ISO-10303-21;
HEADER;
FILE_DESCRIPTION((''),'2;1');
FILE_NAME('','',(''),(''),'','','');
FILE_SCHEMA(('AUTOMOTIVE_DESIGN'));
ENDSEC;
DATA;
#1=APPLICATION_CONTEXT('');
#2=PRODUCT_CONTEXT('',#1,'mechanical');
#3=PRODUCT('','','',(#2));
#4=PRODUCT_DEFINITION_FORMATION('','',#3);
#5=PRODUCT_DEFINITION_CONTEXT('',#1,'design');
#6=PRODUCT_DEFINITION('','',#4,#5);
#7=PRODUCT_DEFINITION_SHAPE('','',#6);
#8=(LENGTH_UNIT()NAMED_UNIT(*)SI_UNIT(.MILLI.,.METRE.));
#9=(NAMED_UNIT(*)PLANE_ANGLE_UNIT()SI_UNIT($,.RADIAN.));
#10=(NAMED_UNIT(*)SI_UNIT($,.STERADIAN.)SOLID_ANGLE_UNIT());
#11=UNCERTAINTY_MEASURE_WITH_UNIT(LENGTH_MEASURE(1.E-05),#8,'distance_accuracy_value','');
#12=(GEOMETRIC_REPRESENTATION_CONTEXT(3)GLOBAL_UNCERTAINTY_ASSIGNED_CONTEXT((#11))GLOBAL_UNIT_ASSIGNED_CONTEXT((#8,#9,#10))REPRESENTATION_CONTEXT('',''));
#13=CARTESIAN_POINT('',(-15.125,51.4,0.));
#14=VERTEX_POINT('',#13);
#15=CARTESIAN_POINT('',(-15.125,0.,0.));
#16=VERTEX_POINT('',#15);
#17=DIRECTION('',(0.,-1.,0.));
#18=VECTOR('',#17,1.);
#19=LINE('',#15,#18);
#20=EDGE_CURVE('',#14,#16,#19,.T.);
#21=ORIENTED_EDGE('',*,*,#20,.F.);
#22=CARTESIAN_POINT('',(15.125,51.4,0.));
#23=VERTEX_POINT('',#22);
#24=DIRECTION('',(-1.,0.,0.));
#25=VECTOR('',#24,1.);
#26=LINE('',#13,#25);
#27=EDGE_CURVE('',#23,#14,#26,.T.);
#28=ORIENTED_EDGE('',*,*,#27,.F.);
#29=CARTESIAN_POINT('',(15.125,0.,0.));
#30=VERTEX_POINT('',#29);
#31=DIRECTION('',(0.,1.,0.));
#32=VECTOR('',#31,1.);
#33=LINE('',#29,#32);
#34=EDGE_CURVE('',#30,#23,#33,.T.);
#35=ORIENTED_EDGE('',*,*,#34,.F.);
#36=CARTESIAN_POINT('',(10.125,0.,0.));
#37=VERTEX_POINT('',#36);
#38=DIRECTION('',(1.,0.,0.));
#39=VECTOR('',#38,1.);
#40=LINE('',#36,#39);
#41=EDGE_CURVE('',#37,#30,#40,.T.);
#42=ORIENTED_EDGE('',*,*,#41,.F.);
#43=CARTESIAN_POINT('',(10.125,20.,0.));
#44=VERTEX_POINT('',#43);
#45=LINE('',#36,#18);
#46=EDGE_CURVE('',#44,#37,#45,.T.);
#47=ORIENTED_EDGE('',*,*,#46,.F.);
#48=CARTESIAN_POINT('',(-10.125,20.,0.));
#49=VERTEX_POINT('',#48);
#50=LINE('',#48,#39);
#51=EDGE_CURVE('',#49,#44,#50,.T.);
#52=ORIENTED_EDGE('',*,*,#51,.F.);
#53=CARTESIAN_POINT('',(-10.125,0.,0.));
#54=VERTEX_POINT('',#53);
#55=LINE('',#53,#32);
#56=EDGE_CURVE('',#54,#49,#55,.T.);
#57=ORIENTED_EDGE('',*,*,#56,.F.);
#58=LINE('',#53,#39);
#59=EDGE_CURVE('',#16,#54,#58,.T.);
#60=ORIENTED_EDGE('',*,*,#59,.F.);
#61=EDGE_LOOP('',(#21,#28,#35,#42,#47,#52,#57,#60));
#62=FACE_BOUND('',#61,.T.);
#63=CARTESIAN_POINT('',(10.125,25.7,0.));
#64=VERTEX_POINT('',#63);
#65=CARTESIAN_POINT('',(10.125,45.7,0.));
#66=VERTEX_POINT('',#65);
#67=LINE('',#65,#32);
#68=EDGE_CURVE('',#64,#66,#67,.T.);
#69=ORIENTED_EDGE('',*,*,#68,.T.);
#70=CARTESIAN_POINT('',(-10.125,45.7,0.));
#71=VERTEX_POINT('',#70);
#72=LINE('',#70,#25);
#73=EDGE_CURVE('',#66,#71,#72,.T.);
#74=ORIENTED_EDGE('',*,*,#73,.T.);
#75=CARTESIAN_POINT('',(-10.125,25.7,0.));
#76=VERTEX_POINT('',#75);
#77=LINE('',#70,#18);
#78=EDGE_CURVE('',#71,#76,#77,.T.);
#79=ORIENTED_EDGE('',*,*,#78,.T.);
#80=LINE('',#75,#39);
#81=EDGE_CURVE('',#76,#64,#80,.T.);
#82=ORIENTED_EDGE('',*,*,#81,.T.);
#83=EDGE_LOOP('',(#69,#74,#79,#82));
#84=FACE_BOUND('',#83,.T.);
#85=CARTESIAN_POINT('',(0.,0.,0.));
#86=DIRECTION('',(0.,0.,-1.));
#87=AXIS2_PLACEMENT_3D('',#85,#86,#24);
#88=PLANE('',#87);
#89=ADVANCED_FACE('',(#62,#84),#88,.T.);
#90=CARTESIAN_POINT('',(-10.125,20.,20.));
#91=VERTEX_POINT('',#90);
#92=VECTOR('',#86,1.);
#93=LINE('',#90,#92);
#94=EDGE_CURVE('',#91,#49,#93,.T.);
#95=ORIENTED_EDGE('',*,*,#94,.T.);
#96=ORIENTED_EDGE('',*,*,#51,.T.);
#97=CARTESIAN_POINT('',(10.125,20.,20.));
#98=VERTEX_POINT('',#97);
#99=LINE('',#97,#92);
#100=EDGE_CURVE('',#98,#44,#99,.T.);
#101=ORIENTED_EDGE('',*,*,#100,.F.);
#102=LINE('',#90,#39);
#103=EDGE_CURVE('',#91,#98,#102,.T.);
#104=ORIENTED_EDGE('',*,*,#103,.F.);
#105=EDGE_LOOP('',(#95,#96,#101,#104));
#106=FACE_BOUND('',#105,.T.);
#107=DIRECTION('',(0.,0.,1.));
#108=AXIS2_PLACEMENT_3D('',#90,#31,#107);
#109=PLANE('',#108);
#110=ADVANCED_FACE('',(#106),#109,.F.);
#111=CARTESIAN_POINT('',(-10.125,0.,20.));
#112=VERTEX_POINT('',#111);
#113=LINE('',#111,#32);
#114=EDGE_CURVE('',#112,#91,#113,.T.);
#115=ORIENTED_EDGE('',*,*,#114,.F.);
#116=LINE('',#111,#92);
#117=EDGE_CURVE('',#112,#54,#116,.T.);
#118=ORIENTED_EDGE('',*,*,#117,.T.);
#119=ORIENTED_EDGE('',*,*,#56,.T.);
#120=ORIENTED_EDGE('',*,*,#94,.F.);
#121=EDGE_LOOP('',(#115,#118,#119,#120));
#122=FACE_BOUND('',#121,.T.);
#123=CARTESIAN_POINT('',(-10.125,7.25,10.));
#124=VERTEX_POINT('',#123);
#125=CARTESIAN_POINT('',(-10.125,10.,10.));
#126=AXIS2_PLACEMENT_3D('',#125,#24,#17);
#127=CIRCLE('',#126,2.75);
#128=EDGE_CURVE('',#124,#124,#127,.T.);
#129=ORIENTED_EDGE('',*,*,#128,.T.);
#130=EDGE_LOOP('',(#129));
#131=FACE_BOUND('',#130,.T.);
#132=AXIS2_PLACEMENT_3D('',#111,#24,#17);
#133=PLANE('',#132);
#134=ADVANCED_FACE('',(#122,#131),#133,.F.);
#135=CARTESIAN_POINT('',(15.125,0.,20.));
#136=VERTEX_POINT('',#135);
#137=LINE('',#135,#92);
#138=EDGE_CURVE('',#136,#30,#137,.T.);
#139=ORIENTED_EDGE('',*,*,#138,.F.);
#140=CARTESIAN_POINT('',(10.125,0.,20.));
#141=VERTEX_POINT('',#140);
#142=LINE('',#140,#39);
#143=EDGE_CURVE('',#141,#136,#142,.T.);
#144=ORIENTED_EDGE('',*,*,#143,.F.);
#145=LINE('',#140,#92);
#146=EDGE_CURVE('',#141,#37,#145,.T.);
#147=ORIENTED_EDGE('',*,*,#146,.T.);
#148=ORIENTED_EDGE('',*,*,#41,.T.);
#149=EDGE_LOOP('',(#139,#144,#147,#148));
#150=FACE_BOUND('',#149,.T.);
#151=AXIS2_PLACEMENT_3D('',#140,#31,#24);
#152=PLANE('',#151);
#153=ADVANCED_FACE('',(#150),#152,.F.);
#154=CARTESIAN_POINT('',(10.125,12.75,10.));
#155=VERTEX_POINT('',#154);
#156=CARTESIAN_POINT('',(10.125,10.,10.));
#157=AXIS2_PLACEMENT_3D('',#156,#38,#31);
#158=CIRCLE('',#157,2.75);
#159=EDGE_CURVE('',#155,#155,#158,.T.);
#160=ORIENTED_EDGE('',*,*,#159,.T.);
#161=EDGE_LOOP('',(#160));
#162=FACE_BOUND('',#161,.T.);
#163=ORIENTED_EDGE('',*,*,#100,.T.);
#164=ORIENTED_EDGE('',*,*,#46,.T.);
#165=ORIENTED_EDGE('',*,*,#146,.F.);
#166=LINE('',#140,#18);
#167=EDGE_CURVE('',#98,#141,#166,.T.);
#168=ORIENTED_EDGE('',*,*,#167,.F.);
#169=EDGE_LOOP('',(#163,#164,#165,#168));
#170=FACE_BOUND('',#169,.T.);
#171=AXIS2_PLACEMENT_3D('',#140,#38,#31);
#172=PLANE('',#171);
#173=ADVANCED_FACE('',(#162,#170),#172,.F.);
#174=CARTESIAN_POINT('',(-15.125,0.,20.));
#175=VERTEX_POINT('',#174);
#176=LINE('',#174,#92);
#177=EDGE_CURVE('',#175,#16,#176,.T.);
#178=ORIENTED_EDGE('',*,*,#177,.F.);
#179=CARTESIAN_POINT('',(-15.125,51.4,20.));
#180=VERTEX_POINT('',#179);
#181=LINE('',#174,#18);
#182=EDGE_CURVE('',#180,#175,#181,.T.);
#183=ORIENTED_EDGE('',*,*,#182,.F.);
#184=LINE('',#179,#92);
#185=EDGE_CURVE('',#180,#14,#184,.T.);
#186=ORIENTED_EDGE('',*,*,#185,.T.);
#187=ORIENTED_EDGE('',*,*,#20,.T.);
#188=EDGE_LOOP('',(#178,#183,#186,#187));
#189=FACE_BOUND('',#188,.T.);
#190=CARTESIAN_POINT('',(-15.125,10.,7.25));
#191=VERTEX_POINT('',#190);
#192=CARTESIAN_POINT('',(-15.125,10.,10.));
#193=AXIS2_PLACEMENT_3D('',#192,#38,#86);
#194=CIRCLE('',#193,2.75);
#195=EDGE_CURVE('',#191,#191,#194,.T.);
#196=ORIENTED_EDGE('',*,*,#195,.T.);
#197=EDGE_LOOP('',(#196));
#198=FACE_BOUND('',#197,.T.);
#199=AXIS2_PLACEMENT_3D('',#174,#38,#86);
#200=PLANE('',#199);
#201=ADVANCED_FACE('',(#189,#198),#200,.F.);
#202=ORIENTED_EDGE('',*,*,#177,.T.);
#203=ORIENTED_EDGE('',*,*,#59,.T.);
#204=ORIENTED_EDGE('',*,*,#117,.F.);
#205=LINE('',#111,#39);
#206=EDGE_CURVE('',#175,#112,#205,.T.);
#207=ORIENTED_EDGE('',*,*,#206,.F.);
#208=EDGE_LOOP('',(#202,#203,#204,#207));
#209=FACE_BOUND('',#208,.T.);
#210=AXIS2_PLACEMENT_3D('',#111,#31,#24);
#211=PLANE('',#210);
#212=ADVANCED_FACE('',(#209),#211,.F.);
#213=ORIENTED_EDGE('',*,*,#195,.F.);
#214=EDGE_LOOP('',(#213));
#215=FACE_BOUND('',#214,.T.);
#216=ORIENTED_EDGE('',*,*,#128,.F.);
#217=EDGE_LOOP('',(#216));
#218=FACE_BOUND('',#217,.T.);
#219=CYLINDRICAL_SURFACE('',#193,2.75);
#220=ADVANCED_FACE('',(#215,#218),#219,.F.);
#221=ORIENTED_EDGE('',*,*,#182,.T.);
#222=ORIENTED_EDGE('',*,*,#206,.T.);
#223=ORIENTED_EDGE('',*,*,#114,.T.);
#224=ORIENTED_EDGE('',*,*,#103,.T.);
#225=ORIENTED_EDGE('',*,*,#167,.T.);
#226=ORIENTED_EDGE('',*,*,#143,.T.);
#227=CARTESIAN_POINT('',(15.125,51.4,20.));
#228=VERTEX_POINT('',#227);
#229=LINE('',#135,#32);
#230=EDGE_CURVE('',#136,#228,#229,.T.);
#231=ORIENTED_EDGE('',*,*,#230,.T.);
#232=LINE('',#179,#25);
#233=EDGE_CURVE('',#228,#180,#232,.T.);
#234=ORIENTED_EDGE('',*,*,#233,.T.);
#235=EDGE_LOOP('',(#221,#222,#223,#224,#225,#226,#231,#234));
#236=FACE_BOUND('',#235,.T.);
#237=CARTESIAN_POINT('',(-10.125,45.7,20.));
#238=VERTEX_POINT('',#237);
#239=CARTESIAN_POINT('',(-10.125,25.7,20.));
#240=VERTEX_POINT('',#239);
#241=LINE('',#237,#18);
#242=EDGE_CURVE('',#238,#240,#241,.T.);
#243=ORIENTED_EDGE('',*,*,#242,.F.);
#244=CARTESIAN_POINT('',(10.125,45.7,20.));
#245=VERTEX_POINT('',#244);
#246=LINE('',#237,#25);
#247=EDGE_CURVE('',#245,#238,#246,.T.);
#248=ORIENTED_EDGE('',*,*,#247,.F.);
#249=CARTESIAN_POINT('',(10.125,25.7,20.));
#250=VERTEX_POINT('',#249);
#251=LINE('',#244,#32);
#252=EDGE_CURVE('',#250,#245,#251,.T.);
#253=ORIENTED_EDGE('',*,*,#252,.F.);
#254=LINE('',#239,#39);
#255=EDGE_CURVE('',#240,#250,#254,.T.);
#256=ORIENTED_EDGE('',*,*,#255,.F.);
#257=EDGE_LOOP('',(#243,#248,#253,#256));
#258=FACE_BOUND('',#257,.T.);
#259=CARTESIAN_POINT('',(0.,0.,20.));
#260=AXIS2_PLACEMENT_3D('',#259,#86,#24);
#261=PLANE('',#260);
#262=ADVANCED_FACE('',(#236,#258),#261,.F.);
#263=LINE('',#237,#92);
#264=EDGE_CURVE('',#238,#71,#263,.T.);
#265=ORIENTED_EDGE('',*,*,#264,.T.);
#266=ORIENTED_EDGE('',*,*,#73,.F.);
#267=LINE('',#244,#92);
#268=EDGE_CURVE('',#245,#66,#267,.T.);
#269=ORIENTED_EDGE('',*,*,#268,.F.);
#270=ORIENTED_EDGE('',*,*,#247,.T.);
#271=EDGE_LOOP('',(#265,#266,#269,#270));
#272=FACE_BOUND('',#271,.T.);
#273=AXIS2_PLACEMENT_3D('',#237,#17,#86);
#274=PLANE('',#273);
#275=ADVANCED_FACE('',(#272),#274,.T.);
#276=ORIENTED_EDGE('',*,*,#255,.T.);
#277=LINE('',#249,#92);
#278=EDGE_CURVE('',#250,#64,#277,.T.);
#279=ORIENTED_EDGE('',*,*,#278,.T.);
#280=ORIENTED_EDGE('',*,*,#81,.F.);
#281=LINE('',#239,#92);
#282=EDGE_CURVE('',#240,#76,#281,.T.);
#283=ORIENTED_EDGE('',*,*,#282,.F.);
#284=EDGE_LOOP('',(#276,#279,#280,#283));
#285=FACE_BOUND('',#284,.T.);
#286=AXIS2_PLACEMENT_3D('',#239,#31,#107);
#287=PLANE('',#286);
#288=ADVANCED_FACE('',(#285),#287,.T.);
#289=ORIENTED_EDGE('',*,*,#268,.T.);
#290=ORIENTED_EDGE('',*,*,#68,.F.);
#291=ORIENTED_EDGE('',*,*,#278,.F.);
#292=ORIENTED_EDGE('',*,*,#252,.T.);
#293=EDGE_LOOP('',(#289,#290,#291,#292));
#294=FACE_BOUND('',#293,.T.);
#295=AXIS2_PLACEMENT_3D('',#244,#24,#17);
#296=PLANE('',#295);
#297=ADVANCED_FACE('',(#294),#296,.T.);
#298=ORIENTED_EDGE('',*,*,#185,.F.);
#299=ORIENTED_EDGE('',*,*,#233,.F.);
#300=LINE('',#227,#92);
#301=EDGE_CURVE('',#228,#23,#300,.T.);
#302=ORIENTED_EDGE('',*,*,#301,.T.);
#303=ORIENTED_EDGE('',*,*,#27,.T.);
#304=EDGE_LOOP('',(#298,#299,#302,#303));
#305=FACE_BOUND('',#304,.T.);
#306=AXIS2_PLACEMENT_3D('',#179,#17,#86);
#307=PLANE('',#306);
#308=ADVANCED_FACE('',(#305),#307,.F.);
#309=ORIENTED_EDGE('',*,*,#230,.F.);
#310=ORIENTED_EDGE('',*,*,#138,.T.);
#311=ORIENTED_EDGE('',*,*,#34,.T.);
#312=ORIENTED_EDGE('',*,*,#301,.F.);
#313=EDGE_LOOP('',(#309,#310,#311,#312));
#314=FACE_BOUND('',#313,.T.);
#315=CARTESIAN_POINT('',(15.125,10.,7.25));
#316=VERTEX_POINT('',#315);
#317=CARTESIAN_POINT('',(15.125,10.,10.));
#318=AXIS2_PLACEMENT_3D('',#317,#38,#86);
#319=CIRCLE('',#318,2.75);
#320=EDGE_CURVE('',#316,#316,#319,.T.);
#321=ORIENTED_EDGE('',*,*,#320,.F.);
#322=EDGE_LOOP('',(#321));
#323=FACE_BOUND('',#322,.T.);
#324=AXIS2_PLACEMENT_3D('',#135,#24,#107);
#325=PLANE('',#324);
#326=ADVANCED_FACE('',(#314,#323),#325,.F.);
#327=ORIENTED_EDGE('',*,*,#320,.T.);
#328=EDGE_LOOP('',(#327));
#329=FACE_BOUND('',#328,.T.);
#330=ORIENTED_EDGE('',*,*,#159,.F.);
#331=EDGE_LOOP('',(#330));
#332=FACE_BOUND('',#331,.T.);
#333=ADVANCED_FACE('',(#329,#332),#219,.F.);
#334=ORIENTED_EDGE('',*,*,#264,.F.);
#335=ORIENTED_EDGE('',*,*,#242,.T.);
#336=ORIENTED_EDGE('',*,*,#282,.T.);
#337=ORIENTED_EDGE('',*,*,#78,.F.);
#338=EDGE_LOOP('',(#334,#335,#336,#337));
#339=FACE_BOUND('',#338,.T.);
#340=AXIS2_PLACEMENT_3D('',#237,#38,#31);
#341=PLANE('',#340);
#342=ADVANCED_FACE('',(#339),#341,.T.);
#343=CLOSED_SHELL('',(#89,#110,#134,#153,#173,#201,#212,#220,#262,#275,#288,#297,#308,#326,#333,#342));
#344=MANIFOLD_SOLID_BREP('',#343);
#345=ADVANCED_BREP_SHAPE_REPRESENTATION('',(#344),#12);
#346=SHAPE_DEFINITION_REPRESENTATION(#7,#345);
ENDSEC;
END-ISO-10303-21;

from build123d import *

# Parameters (mm, degrees)
SKETCH1_W               = 20.25
SKETCH1_H               = 20
BOSS_EXTRUDE1_DEPTH     = 20
CUT_EXTRUDE1_DEPTH      = 58.19025813
CUT_EXTRUDE1_DEPTH_BACK = 58.19025813
SKETCH2_R               = 2.75


with BuildPart() as part:
    # Sketch1 → Boss-Extrude1 (new body)
    with BuildSketch(Plane.XY):
        Polygon((-10.125, 0), (-10.125, 20), (10.125, 20), (10.125, 0), (15.125, 0), (15.125, 51.4), (-15.125, 51.4), (-15.125, 0), align=None)
        with Locations((0, 35.7)):
            Rectangle(SKETCH1_W, SKETCH1_H, mode=Mode.SUBTRACT)
    extrude(amount=BOSS_EXTRUDE1_DEPTH)

    # Sketch2 → Cut-Extrude1 (cut, two sides: drawn at the far end of the back side and taken through both)
    with BuildSketch(Plane(origin=(0, 0, 0), x_dir=(0, 0, -1), z_dir=(1, 0, 0)).offset(-CUT_EXTRUDE1_DEPTH_BACK)):
        with Locations((-10, 10)):
            Circle(SKETCH2_R)
    extrude(amount=CUT_EXTRUDE1_DEPTH + CUT_EXTRUDE1_DEPTH_BACK, mode=Mode.SUBTRACT)


solid = part.part
